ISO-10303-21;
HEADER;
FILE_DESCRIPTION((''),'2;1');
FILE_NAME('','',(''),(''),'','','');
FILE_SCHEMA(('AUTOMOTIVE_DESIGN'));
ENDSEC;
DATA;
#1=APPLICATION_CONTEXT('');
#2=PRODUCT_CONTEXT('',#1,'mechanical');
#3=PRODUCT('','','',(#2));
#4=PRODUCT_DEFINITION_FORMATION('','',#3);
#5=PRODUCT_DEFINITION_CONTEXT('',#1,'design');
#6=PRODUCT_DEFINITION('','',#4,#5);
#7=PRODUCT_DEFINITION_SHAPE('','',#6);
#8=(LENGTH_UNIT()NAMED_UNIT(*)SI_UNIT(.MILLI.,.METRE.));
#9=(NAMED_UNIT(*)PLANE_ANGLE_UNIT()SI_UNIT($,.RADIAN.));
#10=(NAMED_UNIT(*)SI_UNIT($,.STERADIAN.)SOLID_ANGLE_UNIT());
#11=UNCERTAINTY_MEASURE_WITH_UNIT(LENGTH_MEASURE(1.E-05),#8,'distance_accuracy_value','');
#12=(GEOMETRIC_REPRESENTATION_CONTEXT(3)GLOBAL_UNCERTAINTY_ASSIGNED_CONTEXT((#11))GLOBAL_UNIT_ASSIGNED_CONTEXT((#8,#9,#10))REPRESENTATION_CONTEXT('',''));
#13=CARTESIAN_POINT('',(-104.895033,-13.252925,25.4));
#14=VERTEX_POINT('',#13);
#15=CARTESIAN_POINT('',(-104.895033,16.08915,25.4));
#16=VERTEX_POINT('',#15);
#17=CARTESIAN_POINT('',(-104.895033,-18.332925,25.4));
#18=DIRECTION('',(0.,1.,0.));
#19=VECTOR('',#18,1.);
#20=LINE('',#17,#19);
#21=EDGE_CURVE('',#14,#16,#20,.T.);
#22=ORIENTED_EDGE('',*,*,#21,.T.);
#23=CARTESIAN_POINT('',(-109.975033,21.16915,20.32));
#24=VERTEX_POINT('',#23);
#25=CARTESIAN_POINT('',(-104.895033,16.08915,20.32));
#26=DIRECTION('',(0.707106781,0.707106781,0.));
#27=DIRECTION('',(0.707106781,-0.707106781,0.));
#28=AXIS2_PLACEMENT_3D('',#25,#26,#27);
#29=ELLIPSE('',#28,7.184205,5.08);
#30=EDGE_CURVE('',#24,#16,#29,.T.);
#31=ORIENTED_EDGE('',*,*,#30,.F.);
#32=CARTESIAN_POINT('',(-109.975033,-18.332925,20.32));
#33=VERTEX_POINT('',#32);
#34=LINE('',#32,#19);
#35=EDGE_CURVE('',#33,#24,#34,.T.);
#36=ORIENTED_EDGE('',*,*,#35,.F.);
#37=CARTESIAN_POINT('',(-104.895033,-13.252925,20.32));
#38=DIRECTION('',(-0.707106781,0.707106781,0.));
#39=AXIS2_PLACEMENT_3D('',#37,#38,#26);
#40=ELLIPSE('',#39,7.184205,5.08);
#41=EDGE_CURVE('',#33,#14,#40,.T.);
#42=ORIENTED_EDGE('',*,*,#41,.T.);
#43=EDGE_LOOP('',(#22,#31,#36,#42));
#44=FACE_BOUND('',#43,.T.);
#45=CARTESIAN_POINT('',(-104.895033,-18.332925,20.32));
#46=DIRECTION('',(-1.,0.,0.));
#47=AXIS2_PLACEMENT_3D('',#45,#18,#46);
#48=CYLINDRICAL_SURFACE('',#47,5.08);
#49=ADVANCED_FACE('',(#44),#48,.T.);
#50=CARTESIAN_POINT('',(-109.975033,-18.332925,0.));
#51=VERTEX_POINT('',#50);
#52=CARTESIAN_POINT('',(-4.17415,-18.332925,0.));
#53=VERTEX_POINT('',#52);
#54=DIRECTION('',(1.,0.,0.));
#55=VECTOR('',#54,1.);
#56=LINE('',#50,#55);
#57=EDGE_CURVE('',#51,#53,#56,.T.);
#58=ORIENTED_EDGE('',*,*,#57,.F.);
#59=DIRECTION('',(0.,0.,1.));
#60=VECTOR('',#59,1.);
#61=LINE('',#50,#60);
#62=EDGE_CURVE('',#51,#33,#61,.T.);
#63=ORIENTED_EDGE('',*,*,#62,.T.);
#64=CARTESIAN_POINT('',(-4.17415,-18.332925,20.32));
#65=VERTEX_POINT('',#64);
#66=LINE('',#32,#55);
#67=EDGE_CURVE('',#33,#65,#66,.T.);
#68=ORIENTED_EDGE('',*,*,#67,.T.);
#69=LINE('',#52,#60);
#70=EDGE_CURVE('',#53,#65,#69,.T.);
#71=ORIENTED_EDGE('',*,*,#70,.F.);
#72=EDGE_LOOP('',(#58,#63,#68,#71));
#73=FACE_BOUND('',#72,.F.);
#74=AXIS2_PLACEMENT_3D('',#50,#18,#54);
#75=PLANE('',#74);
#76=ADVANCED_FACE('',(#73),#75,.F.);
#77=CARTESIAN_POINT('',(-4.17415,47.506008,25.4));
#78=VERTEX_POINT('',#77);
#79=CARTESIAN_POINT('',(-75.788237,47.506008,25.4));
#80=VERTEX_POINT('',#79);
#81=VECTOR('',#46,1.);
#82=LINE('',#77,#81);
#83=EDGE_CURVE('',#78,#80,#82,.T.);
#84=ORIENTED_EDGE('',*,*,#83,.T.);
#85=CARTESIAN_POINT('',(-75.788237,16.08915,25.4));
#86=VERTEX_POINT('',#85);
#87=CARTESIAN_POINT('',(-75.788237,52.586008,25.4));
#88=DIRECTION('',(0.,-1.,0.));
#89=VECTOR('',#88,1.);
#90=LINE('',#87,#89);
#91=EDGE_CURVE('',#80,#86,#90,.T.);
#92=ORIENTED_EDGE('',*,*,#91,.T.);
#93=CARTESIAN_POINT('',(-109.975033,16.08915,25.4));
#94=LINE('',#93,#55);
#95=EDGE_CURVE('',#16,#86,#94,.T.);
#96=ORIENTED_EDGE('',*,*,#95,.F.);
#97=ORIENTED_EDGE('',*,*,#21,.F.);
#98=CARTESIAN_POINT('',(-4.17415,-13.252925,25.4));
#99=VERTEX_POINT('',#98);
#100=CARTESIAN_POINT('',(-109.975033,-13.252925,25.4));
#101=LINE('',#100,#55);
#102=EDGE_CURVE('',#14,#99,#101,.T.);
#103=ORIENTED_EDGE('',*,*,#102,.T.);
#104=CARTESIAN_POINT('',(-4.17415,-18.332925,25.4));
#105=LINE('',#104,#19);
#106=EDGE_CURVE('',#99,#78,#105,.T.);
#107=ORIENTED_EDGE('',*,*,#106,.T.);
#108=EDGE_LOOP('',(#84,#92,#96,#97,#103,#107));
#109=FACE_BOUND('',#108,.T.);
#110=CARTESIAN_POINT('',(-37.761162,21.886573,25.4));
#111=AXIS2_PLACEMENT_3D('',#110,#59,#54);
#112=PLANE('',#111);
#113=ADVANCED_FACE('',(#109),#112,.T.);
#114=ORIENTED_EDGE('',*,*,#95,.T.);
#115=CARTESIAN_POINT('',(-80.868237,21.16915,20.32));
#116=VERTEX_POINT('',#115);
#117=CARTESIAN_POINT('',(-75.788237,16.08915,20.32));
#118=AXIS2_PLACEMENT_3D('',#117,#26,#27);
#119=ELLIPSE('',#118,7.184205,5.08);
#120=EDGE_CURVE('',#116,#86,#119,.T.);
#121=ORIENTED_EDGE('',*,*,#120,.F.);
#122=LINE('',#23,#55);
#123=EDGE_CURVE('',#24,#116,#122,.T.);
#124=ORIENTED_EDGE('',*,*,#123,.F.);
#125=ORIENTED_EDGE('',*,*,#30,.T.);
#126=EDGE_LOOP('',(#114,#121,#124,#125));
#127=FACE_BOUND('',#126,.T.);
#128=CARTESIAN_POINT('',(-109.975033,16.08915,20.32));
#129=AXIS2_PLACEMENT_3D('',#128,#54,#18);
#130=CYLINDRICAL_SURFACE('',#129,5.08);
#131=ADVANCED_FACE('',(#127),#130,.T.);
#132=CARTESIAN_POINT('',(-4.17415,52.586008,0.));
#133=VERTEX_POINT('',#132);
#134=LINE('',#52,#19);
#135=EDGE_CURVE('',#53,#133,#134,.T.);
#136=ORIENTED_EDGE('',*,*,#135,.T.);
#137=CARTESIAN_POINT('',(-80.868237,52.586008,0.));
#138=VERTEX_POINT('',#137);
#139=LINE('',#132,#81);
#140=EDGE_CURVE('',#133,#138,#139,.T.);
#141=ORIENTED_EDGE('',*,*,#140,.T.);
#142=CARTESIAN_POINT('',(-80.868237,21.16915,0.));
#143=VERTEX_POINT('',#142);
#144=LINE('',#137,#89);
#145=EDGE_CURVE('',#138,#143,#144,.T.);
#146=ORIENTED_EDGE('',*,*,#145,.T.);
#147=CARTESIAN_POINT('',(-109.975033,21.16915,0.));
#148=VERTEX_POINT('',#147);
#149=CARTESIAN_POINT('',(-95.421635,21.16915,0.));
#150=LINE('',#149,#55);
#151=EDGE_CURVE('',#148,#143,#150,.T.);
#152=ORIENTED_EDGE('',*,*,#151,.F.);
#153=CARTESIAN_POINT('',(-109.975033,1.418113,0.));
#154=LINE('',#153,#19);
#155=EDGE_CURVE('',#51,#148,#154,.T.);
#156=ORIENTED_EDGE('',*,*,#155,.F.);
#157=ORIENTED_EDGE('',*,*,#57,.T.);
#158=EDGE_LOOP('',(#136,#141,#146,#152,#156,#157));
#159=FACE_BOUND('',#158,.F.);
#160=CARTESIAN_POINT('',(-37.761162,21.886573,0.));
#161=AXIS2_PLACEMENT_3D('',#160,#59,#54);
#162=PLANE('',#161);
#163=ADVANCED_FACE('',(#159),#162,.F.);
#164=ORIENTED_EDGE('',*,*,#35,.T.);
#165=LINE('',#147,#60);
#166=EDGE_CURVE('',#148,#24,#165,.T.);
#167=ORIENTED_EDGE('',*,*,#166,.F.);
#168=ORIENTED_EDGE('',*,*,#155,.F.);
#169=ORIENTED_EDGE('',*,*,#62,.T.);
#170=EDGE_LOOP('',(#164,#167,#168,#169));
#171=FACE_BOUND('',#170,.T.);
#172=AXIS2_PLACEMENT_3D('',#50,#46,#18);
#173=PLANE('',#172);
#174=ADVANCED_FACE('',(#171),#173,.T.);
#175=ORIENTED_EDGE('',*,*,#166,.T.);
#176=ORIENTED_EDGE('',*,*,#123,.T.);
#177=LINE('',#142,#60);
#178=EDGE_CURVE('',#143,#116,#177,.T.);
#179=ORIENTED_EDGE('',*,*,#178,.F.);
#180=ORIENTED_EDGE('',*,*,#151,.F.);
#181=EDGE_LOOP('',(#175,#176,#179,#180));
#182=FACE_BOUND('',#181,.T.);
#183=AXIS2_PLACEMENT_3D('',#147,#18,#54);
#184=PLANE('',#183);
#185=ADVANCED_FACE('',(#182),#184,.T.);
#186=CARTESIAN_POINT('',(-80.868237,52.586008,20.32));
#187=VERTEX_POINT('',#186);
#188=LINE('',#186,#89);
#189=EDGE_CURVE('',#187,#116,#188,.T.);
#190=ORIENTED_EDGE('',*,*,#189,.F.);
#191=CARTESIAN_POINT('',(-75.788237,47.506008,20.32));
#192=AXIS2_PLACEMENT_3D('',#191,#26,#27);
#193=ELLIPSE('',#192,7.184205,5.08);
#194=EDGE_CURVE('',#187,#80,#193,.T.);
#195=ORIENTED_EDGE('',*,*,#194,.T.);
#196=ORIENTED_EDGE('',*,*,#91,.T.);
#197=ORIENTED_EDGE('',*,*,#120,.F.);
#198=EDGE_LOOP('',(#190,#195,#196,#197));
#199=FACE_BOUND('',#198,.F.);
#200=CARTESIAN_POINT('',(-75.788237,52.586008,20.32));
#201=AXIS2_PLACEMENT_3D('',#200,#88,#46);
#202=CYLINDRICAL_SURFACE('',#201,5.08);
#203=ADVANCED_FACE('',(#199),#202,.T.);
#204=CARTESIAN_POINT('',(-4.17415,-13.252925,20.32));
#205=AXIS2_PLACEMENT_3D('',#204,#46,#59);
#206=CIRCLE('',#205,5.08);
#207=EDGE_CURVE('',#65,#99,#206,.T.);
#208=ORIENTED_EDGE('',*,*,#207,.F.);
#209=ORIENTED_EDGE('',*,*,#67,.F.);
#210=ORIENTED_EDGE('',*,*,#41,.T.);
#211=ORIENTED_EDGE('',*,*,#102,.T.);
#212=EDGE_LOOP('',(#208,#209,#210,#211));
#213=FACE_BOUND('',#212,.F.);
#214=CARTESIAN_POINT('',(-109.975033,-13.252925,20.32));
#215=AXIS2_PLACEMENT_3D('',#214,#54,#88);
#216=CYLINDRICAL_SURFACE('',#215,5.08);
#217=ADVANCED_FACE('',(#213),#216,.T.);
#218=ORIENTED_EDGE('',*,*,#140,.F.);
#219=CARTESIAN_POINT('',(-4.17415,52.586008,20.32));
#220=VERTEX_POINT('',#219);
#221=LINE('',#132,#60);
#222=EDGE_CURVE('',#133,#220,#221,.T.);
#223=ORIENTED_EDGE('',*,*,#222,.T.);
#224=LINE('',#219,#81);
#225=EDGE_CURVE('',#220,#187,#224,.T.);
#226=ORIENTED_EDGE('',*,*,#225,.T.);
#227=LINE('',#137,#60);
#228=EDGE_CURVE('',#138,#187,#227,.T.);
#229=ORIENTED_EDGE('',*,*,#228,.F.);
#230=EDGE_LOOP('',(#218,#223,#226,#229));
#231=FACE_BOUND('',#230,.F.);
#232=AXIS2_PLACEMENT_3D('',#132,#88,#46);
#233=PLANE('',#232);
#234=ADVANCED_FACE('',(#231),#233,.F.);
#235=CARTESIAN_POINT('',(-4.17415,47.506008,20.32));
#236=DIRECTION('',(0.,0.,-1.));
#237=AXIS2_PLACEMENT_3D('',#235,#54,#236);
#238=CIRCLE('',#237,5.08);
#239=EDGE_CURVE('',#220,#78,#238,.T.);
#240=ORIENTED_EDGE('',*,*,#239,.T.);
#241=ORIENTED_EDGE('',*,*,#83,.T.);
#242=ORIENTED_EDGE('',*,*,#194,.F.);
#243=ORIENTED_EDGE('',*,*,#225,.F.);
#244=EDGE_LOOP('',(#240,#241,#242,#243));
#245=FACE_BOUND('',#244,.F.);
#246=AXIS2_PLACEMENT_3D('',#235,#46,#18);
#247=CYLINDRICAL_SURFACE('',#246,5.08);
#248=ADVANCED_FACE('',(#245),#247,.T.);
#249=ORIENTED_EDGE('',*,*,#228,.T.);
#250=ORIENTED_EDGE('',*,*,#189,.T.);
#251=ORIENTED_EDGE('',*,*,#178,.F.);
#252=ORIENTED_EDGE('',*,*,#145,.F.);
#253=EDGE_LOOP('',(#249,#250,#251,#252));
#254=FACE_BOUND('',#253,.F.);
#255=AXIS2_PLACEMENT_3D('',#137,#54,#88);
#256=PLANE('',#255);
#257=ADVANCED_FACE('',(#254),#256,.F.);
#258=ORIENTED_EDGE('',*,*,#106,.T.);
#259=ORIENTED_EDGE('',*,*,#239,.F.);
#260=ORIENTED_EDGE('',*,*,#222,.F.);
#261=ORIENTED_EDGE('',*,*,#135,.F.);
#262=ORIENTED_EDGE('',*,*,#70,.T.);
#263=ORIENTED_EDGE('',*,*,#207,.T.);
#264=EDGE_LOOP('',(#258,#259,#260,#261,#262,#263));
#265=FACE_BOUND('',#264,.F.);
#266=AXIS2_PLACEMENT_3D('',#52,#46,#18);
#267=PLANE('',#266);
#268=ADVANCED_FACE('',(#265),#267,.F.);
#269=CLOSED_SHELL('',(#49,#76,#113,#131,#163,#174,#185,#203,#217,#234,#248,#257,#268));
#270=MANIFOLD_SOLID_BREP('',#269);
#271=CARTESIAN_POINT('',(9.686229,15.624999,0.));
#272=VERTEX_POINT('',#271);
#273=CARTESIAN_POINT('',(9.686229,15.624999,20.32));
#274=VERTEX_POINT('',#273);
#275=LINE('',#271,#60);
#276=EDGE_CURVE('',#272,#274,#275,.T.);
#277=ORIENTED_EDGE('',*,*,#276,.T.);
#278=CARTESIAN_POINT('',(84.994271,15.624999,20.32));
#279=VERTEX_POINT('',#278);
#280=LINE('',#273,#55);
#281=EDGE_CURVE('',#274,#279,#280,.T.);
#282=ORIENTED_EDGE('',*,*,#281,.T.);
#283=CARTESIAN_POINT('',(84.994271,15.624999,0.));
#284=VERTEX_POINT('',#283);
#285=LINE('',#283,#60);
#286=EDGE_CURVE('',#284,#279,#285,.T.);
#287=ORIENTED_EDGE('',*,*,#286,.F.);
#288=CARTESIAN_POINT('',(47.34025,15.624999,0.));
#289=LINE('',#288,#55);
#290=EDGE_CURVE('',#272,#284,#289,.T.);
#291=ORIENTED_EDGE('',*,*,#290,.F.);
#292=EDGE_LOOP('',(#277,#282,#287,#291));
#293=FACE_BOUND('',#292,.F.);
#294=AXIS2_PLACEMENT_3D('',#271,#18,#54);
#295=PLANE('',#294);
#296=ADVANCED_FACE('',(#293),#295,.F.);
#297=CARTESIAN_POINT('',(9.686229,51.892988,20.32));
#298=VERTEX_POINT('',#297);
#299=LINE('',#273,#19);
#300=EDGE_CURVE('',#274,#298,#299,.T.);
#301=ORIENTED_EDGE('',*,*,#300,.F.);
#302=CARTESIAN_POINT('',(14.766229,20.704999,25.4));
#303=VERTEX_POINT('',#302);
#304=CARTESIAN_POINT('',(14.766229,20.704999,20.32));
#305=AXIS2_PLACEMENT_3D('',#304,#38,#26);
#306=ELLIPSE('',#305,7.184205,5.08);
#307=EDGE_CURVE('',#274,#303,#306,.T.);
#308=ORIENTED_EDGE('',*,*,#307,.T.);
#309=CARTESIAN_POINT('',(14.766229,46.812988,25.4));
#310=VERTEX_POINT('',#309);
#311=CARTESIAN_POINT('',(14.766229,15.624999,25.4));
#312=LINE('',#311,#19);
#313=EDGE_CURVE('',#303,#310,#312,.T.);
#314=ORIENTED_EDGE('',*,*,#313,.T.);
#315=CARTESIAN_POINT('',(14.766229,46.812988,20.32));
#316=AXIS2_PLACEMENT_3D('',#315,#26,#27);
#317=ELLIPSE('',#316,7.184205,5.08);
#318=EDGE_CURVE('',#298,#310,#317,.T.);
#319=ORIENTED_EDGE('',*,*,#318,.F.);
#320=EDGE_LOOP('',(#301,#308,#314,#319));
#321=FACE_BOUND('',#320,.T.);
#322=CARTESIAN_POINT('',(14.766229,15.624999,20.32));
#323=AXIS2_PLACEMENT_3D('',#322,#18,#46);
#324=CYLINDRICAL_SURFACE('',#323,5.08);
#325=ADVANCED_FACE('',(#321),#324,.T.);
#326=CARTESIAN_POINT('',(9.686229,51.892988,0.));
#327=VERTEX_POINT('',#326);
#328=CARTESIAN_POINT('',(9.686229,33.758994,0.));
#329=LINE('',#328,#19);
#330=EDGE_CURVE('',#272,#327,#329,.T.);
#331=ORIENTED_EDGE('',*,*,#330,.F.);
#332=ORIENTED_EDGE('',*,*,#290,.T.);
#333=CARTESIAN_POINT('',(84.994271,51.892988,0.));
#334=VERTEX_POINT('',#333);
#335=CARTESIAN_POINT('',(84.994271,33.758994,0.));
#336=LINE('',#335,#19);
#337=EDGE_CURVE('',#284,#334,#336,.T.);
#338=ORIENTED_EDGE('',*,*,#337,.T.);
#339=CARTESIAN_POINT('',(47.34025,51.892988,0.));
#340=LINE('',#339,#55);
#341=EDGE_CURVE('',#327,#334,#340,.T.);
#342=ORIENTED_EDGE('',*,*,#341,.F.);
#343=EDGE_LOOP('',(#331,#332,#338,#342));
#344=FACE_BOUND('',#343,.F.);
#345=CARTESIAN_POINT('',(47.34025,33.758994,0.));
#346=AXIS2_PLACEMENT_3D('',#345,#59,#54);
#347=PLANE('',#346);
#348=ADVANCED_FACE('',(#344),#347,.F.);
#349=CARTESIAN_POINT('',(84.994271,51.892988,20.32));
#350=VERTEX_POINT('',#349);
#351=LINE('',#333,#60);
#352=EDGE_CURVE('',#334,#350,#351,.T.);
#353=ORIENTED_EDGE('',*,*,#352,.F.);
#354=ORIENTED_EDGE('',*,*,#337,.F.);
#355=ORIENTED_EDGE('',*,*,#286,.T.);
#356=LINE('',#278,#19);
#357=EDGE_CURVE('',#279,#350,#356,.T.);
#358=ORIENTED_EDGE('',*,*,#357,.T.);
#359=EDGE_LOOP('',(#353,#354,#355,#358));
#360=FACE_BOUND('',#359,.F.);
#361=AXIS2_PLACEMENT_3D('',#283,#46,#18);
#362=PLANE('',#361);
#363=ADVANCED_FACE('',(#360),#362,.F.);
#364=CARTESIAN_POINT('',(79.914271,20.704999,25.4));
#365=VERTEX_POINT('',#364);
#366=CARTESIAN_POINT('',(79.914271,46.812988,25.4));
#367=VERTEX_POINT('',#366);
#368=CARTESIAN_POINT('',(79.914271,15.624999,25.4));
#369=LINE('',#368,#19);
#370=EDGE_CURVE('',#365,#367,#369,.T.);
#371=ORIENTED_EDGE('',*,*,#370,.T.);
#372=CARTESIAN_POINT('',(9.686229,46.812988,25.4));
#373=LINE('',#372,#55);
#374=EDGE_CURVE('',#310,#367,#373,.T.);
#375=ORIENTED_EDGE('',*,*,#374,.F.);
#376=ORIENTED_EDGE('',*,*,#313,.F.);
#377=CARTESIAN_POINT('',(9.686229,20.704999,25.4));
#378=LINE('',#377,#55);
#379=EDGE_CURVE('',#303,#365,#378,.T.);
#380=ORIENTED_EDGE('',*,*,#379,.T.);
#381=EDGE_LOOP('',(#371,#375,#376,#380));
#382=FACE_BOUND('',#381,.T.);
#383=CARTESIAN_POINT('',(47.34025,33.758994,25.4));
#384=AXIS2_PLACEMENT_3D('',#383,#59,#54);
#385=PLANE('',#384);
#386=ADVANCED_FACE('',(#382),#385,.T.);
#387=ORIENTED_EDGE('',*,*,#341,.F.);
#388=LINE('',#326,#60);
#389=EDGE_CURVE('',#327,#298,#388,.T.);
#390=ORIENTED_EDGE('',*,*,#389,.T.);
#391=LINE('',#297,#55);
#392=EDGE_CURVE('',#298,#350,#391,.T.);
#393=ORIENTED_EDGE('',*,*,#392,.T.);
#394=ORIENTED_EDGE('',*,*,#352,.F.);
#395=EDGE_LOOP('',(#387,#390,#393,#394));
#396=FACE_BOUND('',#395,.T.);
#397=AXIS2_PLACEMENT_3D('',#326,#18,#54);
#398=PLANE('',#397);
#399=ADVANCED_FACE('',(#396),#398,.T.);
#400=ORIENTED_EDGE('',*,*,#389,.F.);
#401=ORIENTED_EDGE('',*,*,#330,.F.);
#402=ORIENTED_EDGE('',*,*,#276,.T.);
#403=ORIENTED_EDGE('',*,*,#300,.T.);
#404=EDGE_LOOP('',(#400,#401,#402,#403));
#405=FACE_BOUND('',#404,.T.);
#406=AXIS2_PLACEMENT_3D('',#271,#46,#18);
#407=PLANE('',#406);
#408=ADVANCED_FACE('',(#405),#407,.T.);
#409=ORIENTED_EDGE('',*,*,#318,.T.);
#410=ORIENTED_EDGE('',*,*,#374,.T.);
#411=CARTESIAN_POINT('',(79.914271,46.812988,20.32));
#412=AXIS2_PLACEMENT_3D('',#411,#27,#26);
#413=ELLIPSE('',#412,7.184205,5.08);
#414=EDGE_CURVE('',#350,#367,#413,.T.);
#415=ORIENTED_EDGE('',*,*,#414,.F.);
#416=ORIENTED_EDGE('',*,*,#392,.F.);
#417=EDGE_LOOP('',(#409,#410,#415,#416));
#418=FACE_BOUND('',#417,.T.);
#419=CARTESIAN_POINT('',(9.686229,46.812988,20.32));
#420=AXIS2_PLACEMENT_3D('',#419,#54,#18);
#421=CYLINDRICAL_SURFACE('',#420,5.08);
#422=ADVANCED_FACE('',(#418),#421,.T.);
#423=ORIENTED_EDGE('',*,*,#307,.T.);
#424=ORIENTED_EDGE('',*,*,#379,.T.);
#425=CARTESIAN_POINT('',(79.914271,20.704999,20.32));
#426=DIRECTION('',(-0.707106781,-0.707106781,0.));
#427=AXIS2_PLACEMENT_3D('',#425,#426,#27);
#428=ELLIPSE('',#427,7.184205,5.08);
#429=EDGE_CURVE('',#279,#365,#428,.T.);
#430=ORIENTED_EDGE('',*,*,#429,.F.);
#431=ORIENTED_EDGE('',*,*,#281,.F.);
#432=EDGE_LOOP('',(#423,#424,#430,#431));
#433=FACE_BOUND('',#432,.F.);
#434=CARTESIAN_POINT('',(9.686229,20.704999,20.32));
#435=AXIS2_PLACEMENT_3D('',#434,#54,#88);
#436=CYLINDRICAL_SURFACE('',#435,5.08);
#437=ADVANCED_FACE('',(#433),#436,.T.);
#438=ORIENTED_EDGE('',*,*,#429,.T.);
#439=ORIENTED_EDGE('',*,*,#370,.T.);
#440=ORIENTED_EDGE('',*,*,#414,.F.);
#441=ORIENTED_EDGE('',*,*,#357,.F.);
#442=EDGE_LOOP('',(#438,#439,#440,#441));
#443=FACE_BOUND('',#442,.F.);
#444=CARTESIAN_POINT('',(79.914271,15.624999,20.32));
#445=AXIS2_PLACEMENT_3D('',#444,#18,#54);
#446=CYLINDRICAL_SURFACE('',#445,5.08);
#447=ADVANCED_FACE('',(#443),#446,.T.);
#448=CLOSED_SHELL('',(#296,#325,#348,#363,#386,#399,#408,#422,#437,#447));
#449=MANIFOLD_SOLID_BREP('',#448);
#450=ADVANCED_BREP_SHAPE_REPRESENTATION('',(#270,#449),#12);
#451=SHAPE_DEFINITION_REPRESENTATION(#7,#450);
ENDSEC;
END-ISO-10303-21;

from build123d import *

# Parameters (mm, degrees)
F0_W     = 35.5749689043
F0_H     = 39.502074942
F0_W_2   = 29.1067957878
F1_DEPTH = 25.4
F0_W_3   = 75.3080425784
F0_H_2   = 36.2679893151
F2_R     = 5.08
F2_2_R   = 5.08


with BuildPart() as f1:
    # F0 (on Top) → F1 (new body)
    with BuildSketch(Plane.XY):
        Polygon((-4.1741500609, 52.5860078633), (-80.8682367206, 52.5860078633), (-80.8682367206, 21.1691502482), (-45.2932678163, 21.1691502482), (-45.2932678163, -18.3329246938), (-4.1741500609, -18.3329246938), align=None)
        with Locations((-63.0807522684, 1.4181127772)):
            Rectangle(F0_W, F0_H)
        with Locations((-95.4216346145, 1.4181127772)):
            Rectangle(F0_W_2, F0_H)
    extrude(amount=F1_DEPTH)

    # F2
    f2_edges = [f1.edges().sort_by_distance(p)[0] for p in [
        (-80.868237, 36.877579, 25.4),
        (-42.521193, 52.586008, 25.4),
        (-95.421635, 21.16915, 25.4),
        (-109.975033, 1.418113, 25.4),
        (-57.074591, -18.332925, 25.4),
    ]]
    fillet(f2_edges, radius=F2_R)


with BuildPart() as f1b:
    # F0 (on Top) → F1, piece 2 (new body)
    with BuildSketch(Plane.XY):
        with Locations((47.3402501084, 33.7589937262)):
            Rectangle(F0_W_3, F0_H_2)
    extrude(amount=F1_DEPTH)

    # F2#2
    f2_2_edges = [f1b.edges().sort_by_distance(p)[0] for p in [
        (47.34025, 51.892988, 25.4),
        (9.686229, 33.758994, 25.4),
        (47.34025, 15.624999, 25.4),
        (84.994271, 33.758994, 25.4),
    ]]
    fillet(f2_2_edges, radius=F2_2_R)


solid = Compound([f1.part, f1b.part])
